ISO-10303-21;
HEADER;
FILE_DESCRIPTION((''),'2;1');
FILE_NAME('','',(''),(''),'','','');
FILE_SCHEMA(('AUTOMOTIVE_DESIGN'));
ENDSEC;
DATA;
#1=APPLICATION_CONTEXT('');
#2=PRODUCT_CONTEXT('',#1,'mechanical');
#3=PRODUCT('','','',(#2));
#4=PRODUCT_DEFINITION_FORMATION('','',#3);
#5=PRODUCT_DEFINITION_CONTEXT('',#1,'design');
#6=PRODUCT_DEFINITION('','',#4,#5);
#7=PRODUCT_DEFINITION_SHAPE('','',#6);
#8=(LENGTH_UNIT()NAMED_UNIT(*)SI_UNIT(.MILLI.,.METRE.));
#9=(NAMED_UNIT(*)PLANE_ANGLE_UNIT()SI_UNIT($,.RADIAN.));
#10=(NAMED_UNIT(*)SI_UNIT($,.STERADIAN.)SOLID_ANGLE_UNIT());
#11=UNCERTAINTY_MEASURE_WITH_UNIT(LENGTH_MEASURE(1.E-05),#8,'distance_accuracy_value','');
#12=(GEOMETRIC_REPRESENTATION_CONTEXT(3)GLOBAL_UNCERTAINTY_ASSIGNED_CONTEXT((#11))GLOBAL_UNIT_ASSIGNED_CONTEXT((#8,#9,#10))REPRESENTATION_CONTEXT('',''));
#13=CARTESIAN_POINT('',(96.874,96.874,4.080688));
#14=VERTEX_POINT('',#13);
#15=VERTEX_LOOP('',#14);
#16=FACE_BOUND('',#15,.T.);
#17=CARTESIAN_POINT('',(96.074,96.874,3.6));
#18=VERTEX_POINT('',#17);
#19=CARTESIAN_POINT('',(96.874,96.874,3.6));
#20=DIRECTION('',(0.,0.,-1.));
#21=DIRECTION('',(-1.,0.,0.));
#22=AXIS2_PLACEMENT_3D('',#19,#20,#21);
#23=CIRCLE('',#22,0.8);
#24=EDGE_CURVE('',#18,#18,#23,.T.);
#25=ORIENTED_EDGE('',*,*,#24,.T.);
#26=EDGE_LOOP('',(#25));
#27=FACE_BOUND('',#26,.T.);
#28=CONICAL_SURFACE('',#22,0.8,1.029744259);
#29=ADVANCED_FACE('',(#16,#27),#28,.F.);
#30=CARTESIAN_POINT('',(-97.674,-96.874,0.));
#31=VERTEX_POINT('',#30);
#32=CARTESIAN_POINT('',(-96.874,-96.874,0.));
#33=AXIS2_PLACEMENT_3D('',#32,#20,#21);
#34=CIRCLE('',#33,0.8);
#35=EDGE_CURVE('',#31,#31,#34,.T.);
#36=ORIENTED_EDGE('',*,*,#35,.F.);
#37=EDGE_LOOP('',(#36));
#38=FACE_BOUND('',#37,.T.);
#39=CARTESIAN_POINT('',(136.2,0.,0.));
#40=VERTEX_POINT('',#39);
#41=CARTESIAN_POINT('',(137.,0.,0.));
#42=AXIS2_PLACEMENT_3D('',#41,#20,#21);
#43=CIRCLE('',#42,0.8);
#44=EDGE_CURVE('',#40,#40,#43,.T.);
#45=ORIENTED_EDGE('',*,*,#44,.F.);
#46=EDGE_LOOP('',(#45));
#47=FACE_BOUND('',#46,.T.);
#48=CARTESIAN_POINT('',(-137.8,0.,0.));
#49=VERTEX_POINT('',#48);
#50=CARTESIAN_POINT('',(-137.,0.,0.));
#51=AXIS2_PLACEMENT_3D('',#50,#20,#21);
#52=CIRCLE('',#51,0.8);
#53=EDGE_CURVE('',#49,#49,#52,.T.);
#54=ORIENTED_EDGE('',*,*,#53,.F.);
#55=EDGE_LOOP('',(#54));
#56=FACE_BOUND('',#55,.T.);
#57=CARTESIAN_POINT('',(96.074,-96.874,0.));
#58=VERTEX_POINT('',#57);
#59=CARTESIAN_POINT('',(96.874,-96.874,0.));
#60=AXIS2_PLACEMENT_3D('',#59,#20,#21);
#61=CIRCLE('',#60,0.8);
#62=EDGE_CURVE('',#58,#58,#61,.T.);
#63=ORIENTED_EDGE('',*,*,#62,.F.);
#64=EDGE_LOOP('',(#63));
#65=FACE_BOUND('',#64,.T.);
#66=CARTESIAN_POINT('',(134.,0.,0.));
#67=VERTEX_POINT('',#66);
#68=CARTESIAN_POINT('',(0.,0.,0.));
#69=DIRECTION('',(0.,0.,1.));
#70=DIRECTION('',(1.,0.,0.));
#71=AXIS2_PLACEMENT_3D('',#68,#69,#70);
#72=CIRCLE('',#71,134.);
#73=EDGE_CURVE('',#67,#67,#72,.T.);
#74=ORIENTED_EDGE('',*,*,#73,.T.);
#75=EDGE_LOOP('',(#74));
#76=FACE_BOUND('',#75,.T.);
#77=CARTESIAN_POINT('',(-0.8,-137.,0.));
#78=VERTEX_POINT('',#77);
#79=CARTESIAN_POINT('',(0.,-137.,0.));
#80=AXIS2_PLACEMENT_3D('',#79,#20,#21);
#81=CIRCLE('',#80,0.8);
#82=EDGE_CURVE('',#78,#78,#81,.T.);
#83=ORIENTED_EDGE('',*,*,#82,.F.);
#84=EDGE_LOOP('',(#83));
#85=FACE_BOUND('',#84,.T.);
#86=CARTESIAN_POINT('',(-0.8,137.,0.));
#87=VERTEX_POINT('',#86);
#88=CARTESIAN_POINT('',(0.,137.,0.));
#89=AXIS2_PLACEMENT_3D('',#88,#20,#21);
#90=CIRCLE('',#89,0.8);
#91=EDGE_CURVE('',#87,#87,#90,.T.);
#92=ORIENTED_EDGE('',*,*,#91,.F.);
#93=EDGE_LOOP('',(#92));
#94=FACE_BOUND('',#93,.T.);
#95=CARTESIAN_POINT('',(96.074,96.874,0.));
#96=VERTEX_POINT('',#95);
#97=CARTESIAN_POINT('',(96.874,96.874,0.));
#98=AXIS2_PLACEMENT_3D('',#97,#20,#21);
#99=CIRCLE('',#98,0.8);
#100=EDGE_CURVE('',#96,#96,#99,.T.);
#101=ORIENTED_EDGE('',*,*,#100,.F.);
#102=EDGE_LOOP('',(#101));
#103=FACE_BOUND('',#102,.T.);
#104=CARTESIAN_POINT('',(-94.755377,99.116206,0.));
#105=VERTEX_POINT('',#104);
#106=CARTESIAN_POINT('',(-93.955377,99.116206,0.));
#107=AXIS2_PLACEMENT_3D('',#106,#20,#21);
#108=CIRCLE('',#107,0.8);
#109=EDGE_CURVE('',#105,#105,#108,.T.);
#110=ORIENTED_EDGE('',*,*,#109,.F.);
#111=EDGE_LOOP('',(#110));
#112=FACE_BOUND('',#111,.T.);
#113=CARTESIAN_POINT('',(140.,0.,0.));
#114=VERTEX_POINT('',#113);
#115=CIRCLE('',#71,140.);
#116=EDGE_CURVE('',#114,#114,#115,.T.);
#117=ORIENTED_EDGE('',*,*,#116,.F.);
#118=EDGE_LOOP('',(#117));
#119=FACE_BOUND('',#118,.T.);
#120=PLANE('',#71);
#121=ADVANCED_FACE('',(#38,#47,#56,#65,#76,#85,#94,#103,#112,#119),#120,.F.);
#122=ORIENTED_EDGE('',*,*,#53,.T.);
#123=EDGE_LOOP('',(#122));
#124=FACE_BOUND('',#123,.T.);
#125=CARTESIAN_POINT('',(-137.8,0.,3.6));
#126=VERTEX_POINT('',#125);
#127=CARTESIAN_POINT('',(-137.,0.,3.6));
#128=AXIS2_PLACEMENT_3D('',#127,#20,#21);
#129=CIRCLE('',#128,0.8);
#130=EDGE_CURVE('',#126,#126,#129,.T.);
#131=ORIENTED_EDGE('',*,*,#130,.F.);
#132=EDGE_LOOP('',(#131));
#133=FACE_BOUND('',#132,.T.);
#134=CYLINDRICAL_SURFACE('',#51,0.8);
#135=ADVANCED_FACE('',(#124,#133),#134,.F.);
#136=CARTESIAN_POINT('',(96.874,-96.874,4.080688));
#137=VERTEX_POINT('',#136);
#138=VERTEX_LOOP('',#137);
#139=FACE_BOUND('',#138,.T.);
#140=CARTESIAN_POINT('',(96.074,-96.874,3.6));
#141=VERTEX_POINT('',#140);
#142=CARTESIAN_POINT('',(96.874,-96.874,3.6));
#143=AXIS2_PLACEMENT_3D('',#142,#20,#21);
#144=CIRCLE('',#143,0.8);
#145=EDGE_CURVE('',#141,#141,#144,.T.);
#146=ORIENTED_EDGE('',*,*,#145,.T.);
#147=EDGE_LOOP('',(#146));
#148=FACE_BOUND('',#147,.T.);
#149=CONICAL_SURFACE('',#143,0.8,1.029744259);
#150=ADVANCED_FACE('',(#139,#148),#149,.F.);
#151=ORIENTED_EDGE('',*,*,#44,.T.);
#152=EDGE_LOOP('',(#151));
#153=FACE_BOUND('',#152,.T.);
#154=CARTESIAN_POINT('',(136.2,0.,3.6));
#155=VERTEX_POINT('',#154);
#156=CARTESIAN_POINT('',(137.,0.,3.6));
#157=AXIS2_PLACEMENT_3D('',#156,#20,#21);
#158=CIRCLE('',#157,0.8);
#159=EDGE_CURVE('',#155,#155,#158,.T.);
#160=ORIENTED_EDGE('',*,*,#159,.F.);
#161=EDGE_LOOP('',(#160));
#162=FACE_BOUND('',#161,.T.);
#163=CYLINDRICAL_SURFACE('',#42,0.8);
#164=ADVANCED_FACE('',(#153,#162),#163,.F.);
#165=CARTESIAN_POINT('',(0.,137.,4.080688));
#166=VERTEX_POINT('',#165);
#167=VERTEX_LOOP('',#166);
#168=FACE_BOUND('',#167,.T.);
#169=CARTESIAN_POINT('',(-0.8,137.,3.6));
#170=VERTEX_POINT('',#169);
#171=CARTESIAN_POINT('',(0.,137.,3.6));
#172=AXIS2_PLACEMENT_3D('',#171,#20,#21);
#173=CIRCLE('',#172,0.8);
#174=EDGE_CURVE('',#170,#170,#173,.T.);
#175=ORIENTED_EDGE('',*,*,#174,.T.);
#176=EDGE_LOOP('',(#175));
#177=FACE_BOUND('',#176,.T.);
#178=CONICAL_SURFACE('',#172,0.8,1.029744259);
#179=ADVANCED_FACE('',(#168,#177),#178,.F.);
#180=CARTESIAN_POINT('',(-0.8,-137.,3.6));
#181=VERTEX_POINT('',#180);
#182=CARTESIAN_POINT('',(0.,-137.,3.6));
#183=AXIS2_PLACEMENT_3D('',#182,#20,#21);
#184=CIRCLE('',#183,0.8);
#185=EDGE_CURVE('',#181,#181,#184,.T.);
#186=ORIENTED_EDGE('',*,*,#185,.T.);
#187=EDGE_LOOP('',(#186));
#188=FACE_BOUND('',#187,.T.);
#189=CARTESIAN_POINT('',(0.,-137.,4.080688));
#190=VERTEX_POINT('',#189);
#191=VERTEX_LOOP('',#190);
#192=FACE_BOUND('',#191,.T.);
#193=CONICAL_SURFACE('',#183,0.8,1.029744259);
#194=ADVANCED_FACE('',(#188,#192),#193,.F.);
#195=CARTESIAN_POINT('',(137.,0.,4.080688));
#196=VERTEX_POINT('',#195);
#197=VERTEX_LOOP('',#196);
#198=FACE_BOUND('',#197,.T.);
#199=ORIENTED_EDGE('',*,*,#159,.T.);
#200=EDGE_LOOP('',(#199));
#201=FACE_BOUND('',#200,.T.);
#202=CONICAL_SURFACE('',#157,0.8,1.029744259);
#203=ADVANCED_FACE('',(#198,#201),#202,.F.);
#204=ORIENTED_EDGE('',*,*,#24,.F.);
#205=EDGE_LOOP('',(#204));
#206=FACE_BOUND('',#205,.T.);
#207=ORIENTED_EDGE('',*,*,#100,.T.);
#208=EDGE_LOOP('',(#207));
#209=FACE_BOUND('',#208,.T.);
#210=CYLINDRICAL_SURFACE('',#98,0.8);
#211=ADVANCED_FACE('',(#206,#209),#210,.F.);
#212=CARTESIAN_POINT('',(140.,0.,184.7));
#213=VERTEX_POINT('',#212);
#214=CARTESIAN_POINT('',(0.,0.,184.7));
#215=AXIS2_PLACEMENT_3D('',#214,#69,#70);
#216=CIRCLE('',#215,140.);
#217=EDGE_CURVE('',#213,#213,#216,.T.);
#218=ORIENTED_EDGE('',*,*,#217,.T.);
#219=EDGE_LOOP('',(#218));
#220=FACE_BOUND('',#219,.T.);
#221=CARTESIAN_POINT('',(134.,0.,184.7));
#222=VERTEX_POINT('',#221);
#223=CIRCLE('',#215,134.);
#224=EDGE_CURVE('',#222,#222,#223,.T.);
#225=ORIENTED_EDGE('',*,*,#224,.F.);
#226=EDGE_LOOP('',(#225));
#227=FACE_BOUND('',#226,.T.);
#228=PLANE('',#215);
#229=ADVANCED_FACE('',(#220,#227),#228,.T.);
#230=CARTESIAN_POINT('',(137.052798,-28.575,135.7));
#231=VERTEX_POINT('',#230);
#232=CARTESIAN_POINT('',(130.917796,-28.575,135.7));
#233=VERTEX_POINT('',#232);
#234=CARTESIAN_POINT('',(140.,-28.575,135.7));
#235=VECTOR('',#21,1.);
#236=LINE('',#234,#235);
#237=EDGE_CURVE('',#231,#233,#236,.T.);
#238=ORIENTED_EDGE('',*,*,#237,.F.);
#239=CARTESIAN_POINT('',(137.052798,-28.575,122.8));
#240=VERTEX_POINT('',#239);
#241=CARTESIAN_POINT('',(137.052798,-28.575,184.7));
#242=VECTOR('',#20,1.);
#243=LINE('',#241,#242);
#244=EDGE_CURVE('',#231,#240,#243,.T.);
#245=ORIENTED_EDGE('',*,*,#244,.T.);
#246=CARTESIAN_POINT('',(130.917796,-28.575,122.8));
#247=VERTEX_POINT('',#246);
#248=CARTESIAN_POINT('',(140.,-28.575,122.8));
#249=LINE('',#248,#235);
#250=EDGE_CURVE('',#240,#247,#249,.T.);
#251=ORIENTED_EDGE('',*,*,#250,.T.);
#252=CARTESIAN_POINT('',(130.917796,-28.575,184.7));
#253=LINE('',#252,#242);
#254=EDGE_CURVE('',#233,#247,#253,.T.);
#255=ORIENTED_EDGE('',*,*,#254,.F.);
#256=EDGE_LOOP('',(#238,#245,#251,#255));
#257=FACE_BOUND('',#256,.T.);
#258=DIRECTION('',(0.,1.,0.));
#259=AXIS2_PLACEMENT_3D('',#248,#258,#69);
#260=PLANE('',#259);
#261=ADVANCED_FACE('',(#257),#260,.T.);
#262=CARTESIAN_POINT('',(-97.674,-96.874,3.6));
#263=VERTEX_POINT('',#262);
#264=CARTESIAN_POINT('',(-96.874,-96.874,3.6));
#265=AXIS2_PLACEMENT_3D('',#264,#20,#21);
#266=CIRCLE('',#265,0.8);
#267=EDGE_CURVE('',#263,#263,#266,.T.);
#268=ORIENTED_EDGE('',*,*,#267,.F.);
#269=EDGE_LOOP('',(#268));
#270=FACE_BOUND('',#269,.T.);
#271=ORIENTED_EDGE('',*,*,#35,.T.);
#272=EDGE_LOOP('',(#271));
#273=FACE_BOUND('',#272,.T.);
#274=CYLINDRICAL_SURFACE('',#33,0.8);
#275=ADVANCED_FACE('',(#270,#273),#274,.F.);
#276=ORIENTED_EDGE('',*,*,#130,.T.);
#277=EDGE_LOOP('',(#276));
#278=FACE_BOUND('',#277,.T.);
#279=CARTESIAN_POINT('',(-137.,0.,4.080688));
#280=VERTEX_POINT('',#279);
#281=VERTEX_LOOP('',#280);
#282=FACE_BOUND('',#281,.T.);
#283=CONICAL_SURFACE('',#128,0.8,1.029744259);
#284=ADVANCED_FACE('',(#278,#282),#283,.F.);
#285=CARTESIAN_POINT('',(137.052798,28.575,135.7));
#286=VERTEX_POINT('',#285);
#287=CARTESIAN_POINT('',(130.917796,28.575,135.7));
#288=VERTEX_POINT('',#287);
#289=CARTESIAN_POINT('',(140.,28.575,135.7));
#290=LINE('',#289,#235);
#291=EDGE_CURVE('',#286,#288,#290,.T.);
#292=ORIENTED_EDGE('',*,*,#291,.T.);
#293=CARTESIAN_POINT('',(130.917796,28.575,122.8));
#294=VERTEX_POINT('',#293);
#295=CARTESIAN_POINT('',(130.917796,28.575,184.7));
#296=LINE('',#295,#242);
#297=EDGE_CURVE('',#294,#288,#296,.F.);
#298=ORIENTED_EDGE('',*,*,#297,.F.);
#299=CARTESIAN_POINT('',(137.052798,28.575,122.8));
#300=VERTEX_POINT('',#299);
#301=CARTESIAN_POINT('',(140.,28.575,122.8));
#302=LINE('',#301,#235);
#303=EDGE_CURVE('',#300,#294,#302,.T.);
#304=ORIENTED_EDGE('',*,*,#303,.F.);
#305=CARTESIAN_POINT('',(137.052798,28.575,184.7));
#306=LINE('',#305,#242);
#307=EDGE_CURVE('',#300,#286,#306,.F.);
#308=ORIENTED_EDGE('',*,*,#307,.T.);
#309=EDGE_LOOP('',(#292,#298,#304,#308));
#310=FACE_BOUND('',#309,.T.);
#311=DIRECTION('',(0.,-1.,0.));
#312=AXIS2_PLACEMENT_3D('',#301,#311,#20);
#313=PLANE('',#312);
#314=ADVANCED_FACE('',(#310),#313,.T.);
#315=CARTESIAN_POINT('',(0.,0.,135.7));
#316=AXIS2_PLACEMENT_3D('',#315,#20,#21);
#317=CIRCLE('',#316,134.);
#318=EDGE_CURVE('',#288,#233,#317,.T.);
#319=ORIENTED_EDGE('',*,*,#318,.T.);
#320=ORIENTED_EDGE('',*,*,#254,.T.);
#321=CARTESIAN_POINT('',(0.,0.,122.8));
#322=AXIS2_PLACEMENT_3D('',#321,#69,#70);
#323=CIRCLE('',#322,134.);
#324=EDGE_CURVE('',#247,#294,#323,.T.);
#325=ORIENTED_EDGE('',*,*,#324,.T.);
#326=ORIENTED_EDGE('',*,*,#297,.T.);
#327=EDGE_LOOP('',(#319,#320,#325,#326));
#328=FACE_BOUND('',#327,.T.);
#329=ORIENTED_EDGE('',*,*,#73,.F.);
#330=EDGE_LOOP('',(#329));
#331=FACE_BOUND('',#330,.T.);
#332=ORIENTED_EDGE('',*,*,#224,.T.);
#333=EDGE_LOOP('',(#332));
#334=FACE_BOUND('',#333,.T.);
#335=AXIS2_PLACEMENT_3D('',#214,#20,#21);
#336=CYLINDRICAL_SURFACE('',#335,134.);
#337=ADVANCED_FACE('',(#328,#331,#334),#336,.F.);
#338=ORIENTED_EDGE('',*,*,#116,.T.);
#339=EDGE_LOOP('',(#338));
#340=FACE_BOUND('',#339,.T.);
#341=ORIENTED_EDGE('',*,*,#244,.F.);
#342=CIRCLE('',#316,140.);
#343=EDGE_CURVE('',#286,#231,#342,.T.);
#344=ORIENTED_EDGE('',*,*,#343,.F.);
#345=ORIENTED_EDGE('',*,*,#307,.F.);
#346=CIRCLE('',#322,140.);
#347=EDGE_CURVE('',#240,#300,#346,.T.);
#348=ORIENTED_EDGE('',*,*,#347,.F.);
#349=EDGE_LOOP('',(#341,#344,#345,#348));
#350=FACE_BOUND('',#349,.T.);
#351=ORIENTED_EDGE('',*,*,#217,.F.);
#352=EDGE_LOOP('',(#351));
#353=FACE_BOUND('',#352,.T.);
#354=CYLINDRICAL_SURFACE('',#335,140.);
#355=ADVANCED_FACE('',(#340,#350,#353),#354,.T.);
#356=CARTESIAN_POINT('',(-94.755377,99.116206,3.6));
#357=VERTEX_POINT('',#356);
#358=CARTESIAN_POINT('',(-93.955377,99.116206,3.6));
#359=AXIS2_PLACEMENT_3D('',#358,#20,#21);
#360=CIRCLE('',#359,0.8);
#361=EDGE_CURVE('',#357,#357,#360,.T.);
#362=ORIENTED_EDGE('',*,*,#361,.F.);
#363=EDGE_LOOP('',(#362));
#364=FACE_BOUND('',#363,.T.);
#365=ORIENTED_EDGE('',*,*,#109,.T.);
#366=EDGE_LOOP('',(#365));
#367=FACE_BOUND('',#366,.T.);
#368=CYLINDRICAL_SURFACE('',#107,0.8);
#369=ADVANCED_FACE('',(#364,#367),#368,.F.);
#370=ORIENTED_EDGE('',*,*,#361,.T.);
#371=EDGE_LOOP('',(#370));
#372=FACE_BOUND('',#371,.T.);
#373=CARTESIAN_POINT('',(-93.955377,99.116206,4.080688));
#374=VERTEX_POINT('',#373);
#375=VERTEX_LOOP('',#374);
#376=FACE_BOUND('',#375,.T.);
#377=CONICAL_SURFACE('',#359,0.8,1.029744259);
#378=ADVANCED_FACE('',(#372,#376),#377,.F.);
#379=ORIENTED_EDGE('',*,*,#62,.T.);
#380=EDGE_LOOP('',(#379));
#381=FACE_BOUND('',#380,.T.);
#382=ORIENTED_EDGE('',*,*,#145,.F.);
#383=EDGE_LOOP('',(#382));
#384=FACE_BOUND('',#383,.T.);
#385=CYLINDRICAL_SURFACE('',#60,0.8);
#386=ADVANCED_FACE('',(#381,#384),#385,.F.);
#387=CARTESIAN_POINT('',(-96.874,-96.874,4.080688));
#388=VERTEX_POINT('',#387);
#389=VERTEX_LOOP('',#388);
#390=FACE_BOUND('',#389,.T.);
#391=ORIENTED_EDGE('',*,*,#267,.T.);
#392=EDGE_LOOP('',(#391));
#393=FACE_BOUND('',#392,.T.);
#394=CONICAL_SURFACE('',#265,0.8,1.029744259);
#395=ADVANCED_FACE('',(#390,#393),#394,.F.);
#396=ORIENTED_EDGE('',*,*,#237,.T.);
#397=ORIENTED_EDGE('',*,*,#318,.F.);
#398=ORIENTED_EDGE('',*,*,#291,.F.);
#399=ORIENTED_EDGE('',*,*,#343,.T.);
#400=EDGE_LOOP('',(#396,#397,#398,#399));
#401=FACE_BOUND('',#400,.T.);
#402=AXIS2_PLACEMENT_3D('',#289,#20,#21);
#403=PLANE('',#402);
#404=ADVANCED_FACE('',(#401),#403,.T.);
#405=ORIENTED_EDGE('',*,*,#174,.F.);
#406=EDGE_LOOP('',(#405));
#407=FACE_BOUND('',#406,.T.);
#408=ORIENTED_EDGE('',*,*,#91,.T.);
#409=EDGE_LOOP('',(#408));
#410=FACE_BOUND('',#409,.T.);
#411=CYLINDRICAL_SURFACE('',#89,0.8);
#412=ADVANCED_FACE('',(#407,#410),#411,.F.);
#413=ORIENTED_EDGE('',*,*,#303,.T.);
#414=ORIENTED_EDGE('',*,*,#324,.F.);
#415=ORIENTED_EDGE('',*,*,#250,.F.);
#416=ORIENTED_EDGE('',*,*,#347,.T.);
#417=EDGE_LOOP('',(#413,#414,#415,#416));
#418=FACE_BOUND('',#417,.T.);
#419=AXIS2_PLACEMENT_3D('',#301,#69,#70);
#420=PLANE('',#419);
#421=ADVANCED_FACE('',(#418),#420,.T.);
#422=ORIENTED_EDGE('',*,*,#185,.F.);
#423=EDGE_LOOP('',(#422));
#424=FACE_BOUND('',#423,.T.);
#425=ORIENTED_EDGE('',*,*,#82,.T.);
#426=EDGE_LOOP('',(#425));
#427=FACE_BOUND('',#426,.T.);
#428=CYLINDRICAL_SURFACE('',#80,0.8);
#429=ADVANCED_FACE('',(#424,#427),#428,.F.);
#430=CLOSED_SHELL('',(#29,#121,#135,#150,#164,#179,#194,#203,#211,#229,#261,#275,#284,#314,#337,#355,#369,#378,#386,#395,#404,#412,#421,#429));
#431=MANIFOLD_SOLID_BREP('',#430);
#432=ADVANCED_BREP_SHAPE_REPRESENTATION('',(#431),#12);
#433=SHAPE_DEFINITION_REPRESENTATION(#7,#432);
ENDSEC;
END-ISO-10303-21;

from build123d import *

# Parameters (mm, degrees)
SKETCH1_R                 = 140
SKETCH1_R_2               = 134
BOSS_EXTRUDE1_DEPTH       = 184.7
M2X0_4_TAPPED_HOLE2_D     = 1.6
M2X0_4_TAPPED_HOLE2_DEPTH = 3.6
M2X0_4_TAPPED_HOLE2_TIP   = 0.480688495
SKETCH5_W                 = 12.9
SKETCH5_H                 = 57.15
CUT_EXTRUDE1_DEPTH        = 140


with BuildPart() as part:
    # Sketch1 → Boss-Extrude1 (new body)
    with BuildSketch(Plane.XY):
        Circle(SKETCH1_R)
        Circle(SKETCH1_R_2, mode=Mode.SUBTRACT)
    extrude(amount=BOSS_EXTRUDE1_DEPTH)

    # M2x0.4 Tapped Hole2
    with Locations(Plane(origin=(0, 0, 0), x_dir=(-1, 0, 0), z_dir=(0, 0, -1))):
        with Locations((0, 137), (137, 0), (93.955376533, 99.116205732), (96.874, -96.874), (0, -137), (-96.874, -96.874), (-137, 0), (-96.874, 96.874)):
            Hole(M2X0_4_TAPPED_HOLE2_D / 2, depth=M2X0_4_TAPPED_HOLE2_DEPTH)
            with Locations((0, 0, -(M2X0_4_TAPPED_HOLE2_DEPTH + M2X0_4_TAPPED_HOLE2_TIP / 2))):  # 118° drill point
                Cone(0, M2X0_4_TAPPED_HOLE2_D / 2, M2X0_4_TAPPED_HOLE2_TIP, mode=Mode.SUBTRACT)

    # Sketch5 → Cut-Extrude1 (cut)
    with BuildSketch(Plane(origin=(0, 0, 0), x_dir=(0, 0, -1), z_dir=(1, 0, 0))):
        with Locations((-129.25, 0)):
            Rectangle(SKETCH5_W, SKETCH5_H)
    extrude(amount=CUT_EXTRUDE1_DEPTH, mode=Mode.SUBTRACT)


solid = part.part
